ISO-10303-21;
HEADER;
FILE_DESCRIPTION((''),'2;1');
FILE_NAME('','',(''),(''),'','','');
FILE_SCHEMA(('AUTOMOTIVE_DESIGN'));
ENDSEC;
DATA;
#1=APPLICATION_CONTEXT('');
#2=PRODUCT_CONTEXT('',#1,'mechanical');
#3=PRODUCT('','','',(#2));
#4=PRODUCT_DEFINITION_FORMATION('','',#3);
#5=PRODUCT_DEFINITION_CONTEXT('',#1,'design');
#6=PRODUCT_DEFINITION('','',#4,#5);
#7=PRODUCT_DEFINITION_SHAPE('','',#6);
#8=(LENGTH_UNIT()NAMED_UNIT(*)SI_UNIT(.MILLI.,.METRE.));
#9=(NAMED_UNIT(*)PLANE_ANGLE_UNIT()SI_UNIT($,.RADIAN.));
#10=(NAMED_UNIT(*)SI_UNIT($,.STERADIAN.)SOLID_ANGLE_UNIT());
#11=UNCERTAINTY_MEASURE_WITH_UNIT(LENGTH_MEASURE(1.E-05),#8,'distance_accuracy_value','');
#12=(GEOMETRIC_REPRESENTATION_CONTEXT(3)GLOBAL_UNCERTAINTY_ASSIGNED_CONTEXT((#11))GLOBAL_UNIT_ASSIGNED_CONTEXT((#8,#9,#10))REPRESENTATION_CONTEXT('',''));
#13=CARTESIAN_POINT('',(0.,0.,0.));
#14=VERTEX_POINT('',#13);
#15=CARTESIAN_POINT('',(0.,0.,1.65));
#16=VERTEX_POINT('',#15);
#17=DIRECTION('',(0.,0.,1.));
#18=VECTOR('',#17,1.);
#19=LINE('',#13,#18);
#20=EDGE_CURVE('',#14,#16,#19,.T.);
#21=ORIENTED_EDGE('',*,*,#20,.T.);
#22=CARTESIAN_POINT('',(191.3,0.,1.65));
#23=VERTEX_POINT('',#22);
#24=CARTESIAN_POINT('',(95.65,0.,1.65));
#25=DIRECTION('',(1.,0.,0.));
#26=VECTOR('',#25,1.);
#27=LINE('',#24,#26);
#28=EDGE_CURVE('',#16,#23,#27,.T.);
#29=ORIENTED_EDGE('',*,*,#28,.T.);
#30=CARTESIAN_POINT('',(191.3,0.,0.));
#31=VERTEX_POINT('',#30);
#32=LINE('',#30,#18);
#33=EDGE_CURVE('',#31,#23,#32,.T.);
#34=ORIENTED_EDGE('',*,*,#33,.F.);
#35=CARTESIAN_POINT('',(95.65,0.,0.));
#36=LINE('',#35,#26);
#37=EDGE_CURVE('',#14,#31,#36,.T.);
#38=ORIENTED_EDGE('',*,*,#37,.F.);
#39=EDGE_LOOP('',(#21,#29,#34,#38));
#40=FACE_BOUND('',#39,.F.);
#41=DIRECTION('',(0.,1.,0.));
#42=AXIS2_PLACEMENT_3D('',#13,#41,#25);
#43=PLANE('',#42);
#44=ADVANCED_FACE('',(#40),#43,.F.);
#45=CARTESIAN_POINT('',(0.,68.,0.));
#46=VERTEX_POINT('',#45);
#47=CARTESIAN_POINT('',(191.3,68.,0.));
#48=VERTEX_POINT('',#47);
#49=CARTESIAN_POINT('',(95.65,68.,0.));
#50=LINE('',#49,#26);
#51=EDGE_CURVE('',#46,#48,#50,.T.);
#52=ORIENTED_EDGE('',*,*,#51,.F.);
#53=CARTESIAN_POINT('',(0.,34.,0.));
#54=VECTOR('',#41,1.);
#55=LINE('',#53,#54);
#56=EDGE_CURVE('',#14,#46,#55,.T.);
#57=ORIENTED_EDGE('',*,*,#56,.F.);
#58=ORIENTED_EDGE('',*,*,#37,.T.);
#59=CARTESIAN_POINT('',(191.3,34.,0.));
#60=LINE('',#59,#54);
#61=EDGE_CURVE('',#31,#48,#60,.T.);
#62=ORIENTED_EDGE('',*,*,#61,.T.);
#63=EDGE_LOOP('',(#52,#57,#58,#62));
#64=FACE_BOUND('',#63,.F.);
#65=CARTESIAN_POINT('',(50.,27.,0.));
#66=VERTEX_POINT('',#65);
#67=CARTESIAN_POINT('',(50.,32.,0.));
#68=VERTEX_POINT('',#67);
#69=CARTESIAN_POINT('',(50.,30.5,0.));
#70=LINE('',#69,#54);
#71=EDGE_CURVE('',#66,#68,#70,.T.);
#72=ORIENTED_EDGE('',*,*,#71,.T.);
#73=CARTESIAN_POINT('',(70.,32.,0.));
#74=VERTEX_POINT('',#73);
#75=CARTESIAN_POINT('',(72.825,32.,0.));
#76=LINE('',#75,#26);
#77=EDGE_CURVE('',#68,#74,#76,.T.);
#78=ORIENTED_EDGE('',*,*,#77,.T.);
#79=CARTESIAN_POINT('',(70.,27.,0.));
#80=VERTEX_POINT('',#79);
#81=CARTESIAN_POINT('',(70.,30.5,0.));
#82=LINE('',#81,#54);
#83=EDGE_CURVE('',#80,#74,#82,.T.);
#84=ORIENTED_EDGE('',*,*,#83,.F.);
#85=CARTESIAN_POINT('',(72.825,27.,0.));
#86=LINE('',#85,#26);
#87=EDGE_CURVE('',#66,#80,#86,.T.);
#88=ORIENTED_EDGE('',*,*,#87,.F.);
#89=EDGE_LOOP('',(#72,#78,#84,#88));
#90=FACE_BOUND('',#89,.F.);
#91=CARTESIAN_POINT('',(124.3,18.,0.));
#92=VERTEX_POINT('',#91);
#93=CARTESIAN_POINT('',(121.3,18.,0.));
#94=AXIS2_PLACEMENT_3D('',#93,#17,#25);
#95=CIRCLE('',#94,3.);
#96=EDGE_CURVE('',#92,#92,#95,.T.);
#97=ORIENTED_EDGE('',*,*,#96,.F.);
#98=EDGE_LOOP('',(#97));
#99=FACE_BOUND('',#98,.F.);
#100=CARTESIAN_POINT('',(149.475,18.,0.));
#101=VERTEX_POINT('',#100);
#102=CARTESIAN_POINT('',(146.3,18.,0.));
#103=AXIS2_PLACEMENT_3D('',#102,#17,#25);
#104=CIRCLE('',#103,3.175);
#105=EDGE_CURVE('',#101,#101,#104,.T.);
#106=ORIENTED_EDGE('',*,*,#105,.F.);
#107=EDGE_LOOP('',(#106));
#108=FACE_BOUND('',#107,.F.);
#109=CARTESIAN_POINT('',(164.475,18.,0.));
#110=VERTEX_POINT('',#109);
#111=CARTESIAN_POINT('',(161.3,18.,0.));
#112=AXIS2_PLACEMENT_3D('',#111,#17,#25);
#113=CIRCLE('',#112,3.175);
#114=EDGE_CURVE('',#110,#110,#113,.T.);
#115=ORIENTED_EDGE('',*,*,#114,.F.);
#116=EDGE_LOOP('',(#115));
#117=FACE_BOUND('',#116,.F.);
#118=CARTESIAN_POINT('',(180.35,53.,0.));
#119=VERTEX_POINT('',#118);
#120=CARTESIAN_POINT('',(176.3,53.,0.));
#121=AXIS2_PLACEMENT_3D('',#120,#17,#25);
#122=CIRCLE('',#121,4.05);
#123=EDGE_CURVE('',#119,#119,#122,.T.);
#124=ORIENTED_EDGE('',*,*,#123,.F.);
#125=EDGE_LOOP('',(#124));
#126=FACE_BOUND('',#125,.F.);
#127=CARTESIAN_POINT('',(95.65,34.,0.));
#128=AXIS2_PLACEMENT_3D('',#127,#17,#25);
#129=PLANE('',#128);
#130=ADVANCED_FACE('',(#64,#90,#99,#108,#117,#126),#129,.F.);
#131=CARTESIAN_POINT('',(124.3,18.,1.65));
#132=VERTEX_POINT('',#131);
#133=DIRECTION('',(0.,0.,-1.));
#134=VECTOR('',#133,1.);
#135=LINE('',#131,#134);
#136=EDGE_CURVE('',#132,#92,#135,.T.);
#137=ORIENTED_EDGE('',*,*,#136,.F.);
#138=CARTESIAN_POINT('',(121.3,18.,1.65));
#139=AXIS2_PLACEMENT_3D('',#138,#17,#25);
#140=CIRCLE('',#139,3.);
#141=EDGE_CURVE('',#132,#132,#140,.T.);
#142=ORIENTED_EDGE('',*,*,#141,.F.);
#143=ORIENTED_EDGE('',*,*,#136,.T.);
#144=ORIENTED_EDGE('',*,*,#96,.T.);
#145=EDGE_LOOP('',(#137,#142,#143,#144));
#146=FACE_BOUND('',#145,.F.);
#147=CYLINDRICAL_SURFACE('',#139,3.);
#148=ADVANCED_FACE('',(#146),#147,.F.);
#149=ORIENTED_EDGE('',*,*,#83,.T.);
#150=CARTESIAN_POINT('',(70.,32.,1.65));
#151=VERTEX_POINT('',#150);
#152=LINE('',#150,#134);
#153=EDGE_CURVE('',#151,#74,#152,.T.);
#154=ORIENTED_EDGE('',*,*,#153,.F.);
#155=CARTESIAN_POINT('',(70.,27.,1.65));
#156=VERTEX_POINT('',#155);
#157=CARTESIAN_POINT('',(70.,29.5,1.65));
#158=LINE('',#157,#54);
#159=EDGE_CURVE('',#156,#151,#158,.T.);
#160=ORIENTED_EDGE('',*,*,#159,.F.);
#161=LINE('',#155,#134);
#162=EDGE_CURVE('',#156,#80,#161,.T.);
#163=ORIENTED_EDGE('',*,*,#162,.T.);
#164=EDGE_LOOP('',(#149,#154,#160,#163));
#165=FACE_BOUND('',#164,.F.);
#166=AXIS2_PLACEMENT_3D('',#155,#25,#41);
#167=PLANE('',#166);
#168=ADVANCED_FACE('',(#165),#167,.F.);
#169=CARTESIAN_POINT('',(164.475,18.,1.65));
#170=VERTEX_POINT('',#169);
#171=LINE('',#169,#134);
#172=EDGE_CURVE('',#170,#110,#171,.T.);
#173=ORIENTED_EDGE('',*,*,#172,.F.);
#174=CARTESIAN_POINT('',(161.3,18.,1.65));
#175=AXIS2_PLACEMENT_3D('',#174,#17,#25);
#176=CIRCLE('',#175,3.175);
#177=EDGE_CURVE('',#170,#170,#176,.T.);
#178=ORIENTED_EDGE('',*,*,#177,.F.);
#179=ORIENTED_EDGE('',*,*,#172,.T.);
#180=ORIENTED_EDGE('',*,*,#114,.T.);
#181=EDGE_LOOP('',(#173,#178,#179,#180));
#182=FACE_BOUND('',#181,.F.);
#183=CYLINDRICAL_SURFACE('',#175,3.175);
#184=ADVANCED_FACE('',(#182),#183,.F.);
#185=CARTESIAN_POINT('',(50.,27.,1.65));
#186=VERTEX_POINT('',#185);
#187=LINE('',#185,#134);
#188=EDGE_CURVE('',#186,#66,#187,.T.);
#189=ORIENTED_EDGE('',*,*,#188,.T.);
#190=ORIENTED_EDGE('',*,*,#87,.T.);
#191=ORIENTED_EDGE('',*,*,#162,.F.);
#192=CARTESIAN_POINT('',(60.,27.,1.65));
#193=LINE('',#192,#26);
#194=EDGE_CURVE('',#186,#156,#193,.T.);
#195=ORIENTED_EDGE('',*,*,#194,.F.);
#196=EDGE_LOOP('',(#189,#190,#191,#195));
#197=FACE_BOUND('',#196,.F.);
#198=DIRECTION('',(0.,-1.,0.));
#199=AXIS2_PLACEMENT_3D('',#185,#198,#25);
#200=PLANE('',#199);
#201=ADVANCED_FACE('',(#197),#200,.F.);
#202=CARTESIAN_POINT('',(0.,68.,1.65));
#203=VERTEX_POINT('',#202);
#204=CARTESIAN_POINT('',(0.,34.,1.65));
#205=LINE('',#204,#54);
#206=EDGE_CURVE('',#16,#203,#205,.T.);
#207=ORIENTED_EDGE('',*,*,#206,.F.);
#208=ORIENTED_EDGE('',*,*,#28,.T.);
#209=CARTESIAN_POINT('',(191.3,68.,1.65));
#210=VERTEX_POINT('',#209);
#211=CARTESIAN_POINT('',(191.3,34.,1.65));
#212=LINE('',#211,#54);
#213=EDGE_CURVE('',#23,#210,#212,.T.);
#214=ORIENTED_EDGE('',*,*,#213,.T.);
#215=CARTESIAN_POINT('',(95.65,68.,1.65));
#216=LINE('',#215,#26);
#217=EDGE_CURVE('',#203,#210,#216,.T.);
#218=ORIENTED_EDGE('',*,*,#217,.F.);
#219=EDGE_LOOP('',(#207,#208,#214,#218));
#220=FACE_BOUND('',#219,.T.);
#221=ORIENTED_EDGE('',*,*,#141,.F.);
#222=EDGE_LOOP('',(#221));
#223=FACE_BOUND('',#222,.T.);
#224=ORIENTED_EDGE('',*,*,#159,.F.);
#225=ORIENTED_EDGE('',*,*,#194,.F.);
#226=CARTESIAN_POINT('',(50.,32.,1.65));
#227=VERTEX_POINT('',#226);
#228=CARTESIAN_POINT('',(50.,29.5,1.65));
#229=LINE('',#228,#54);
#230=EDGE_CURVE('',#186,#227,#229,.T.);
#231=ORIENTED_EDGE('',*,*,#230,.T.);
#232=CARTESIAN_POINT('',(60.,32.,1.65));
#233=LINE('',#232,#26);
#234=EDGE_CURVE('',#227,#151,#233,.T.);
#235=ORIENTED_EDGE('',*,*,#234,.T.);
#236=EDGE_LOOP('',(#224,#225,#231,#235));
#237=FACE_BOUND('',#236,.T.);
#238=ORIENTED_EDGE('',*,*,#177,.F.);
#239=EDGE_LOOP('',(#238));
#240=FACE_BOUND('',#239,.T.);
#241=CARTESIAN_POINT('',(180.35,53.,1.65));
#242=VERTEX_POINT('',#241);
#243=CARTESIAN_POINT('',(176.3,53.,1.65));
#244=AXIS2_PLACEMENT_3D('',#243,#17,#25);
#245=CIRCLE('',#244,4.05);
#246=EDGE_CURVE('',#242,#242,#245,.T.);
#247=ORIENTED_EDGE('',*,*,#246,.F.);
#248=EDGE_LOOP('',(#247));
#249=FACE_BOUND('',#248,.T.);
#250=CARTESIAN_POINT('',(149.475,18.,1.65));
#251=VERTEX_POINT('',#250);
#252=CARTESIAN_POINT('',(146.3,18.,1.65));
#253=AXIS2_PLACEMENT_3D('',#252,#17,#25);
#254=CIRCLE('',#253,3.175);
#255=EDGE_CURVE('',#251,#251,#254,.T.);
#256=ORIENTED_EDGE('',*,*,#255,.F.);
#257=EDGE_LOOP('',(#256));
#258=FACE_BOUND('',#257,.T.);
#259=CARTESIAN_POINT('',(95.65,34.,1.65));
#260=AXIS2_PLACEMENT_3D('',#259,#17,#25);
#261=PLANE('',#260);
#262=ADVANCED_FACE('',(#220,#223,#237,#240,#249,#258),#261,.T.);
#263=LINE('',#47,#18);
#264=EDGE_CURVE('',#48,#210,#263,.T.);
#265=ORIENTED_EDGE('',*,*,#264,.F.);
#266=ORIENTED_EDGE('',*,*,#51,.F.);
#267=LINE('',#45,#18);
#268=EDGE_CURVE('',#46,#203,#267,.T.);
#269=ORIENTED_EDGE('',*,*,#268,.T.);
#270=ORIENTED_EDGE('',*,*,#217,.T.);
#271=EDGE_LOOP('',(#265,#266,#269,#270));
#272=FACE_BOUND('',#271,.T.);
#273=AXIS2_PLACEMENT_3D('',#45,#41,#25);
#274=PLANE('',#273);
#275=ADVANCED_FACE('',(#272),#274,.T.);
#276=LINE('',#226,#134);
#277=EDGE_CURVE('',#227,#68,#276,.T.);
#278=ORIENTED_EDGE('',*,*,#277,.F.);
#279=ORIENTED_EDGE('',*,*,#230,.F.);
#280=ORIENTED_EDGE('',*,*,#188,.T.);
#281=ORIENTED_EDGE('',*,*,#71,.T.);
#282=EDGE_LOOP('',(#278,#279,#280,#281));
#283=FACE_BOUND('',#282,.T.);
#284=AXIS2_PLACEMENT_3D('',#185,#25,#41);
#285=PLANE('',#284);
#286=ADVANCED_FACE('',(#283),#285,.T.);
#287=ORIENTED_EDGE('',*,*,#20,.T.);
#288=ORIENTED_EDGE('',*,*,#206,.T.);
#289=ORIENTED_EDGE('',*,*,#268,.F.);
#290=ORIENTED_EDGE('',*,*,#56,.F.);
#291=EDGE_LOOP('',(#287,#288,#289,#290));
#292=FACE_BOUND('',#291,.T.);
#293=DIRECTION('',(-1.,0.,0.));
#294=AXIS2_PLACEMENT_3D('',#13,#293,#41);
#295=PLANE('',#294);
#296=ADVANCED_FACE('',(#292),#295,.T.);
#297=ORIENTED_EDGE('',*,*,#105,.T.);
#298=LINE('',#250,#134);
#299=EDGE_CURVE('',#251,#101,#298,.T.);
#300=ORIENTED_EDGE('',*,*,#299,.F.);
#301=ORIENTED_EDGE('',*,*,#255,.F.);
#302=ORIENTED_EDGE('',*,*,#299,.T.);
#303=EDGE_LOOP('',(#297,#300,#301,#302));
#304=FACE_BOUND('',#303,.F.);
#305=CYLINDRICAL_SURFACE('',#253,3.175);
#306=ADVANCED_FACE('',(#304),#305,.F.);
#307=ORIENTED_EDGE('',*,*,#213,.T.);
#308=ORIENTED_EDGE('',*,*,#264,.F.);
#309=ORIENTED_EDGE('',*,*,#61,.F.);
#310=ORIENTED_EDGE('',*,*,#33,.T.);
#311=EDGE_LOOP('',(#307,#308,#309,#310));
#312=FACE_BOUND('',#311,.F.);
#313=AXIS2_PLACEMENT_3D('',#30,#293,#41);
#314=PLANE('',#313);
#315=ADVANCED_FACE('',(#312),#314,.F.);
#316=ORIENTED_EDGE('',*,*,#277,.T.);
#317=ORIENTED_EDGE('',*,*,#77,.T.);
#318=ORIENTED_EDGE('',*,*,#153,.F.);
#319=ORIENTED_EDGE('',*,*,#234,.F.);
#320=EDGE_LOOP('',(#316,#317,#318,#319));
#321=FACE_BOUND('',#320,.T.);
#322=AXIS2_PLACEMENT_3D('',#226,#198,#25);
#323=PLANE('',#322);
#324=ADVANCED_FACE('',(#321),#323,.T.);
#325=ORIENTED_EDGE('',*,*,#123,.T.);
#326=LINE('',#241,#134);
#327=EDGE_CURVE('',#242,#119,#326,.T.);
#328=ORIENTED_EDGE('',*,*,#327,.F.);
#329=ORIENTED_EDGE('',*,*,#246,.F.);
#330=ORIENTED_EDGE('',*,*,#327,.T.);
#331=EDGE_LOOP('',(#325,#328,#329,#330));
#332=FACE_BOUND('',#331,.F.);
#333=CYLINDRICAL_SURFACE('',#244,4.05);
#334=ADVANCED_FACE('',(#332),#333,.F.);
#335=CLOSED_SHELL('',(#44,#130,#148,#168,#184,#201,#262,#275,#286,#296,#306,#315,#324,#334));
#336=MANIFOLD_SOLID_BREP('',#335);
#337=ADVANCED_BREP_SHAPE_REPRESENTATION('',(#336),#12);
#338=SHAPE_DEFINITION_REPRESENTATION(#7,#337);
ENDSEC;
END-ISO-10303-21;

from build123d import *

# Parameters (mm, degrees)
SKETCH_W      = 191.3
SKETCH_H      = 68
PAD_DEPTH     = 1.65
SKETCH001_R   = 4.05
SKETCH001_R_2 = 3
SKETCH001_R_3 = 3.175
SKETCH001_W   = 20
SKETCH001_H   = 5
POCKET_DEPTH  = 5


with BuildPart() as part:
    # Sketch → Pad (new body)
    with BuildSketch(Plane.XY):
        with Locations((95.65, 34)):
            Rectangle(SKETCH_W, SKETCH_H)
    extrude(amount=PAD_DEPTH)

    # Sketch001 (on Face6 of Pad) → Pocket (cut)
    with BuildSketch(Plane.XY.offset(1.65)):
        with Locations((176.3, 53)):
            Circle(SKETCH001_R)
        with Locations((121.3, 18)):
            Circle(SKETCH001_R_2)
        with Locations((146.3, 18)):
            Circle(SKETCH001_R_3)
        with Locations((161.3, 18)):
            Circle(SKETCH001_R_3)
        with Locations((60, 29.5)):
            Rectangle(SKETCH001_W, SKETCH001_H)
    extrude(amount=-POCKET_DEPTH, mode=Mode.SUBTRACT)


solid = part.part
